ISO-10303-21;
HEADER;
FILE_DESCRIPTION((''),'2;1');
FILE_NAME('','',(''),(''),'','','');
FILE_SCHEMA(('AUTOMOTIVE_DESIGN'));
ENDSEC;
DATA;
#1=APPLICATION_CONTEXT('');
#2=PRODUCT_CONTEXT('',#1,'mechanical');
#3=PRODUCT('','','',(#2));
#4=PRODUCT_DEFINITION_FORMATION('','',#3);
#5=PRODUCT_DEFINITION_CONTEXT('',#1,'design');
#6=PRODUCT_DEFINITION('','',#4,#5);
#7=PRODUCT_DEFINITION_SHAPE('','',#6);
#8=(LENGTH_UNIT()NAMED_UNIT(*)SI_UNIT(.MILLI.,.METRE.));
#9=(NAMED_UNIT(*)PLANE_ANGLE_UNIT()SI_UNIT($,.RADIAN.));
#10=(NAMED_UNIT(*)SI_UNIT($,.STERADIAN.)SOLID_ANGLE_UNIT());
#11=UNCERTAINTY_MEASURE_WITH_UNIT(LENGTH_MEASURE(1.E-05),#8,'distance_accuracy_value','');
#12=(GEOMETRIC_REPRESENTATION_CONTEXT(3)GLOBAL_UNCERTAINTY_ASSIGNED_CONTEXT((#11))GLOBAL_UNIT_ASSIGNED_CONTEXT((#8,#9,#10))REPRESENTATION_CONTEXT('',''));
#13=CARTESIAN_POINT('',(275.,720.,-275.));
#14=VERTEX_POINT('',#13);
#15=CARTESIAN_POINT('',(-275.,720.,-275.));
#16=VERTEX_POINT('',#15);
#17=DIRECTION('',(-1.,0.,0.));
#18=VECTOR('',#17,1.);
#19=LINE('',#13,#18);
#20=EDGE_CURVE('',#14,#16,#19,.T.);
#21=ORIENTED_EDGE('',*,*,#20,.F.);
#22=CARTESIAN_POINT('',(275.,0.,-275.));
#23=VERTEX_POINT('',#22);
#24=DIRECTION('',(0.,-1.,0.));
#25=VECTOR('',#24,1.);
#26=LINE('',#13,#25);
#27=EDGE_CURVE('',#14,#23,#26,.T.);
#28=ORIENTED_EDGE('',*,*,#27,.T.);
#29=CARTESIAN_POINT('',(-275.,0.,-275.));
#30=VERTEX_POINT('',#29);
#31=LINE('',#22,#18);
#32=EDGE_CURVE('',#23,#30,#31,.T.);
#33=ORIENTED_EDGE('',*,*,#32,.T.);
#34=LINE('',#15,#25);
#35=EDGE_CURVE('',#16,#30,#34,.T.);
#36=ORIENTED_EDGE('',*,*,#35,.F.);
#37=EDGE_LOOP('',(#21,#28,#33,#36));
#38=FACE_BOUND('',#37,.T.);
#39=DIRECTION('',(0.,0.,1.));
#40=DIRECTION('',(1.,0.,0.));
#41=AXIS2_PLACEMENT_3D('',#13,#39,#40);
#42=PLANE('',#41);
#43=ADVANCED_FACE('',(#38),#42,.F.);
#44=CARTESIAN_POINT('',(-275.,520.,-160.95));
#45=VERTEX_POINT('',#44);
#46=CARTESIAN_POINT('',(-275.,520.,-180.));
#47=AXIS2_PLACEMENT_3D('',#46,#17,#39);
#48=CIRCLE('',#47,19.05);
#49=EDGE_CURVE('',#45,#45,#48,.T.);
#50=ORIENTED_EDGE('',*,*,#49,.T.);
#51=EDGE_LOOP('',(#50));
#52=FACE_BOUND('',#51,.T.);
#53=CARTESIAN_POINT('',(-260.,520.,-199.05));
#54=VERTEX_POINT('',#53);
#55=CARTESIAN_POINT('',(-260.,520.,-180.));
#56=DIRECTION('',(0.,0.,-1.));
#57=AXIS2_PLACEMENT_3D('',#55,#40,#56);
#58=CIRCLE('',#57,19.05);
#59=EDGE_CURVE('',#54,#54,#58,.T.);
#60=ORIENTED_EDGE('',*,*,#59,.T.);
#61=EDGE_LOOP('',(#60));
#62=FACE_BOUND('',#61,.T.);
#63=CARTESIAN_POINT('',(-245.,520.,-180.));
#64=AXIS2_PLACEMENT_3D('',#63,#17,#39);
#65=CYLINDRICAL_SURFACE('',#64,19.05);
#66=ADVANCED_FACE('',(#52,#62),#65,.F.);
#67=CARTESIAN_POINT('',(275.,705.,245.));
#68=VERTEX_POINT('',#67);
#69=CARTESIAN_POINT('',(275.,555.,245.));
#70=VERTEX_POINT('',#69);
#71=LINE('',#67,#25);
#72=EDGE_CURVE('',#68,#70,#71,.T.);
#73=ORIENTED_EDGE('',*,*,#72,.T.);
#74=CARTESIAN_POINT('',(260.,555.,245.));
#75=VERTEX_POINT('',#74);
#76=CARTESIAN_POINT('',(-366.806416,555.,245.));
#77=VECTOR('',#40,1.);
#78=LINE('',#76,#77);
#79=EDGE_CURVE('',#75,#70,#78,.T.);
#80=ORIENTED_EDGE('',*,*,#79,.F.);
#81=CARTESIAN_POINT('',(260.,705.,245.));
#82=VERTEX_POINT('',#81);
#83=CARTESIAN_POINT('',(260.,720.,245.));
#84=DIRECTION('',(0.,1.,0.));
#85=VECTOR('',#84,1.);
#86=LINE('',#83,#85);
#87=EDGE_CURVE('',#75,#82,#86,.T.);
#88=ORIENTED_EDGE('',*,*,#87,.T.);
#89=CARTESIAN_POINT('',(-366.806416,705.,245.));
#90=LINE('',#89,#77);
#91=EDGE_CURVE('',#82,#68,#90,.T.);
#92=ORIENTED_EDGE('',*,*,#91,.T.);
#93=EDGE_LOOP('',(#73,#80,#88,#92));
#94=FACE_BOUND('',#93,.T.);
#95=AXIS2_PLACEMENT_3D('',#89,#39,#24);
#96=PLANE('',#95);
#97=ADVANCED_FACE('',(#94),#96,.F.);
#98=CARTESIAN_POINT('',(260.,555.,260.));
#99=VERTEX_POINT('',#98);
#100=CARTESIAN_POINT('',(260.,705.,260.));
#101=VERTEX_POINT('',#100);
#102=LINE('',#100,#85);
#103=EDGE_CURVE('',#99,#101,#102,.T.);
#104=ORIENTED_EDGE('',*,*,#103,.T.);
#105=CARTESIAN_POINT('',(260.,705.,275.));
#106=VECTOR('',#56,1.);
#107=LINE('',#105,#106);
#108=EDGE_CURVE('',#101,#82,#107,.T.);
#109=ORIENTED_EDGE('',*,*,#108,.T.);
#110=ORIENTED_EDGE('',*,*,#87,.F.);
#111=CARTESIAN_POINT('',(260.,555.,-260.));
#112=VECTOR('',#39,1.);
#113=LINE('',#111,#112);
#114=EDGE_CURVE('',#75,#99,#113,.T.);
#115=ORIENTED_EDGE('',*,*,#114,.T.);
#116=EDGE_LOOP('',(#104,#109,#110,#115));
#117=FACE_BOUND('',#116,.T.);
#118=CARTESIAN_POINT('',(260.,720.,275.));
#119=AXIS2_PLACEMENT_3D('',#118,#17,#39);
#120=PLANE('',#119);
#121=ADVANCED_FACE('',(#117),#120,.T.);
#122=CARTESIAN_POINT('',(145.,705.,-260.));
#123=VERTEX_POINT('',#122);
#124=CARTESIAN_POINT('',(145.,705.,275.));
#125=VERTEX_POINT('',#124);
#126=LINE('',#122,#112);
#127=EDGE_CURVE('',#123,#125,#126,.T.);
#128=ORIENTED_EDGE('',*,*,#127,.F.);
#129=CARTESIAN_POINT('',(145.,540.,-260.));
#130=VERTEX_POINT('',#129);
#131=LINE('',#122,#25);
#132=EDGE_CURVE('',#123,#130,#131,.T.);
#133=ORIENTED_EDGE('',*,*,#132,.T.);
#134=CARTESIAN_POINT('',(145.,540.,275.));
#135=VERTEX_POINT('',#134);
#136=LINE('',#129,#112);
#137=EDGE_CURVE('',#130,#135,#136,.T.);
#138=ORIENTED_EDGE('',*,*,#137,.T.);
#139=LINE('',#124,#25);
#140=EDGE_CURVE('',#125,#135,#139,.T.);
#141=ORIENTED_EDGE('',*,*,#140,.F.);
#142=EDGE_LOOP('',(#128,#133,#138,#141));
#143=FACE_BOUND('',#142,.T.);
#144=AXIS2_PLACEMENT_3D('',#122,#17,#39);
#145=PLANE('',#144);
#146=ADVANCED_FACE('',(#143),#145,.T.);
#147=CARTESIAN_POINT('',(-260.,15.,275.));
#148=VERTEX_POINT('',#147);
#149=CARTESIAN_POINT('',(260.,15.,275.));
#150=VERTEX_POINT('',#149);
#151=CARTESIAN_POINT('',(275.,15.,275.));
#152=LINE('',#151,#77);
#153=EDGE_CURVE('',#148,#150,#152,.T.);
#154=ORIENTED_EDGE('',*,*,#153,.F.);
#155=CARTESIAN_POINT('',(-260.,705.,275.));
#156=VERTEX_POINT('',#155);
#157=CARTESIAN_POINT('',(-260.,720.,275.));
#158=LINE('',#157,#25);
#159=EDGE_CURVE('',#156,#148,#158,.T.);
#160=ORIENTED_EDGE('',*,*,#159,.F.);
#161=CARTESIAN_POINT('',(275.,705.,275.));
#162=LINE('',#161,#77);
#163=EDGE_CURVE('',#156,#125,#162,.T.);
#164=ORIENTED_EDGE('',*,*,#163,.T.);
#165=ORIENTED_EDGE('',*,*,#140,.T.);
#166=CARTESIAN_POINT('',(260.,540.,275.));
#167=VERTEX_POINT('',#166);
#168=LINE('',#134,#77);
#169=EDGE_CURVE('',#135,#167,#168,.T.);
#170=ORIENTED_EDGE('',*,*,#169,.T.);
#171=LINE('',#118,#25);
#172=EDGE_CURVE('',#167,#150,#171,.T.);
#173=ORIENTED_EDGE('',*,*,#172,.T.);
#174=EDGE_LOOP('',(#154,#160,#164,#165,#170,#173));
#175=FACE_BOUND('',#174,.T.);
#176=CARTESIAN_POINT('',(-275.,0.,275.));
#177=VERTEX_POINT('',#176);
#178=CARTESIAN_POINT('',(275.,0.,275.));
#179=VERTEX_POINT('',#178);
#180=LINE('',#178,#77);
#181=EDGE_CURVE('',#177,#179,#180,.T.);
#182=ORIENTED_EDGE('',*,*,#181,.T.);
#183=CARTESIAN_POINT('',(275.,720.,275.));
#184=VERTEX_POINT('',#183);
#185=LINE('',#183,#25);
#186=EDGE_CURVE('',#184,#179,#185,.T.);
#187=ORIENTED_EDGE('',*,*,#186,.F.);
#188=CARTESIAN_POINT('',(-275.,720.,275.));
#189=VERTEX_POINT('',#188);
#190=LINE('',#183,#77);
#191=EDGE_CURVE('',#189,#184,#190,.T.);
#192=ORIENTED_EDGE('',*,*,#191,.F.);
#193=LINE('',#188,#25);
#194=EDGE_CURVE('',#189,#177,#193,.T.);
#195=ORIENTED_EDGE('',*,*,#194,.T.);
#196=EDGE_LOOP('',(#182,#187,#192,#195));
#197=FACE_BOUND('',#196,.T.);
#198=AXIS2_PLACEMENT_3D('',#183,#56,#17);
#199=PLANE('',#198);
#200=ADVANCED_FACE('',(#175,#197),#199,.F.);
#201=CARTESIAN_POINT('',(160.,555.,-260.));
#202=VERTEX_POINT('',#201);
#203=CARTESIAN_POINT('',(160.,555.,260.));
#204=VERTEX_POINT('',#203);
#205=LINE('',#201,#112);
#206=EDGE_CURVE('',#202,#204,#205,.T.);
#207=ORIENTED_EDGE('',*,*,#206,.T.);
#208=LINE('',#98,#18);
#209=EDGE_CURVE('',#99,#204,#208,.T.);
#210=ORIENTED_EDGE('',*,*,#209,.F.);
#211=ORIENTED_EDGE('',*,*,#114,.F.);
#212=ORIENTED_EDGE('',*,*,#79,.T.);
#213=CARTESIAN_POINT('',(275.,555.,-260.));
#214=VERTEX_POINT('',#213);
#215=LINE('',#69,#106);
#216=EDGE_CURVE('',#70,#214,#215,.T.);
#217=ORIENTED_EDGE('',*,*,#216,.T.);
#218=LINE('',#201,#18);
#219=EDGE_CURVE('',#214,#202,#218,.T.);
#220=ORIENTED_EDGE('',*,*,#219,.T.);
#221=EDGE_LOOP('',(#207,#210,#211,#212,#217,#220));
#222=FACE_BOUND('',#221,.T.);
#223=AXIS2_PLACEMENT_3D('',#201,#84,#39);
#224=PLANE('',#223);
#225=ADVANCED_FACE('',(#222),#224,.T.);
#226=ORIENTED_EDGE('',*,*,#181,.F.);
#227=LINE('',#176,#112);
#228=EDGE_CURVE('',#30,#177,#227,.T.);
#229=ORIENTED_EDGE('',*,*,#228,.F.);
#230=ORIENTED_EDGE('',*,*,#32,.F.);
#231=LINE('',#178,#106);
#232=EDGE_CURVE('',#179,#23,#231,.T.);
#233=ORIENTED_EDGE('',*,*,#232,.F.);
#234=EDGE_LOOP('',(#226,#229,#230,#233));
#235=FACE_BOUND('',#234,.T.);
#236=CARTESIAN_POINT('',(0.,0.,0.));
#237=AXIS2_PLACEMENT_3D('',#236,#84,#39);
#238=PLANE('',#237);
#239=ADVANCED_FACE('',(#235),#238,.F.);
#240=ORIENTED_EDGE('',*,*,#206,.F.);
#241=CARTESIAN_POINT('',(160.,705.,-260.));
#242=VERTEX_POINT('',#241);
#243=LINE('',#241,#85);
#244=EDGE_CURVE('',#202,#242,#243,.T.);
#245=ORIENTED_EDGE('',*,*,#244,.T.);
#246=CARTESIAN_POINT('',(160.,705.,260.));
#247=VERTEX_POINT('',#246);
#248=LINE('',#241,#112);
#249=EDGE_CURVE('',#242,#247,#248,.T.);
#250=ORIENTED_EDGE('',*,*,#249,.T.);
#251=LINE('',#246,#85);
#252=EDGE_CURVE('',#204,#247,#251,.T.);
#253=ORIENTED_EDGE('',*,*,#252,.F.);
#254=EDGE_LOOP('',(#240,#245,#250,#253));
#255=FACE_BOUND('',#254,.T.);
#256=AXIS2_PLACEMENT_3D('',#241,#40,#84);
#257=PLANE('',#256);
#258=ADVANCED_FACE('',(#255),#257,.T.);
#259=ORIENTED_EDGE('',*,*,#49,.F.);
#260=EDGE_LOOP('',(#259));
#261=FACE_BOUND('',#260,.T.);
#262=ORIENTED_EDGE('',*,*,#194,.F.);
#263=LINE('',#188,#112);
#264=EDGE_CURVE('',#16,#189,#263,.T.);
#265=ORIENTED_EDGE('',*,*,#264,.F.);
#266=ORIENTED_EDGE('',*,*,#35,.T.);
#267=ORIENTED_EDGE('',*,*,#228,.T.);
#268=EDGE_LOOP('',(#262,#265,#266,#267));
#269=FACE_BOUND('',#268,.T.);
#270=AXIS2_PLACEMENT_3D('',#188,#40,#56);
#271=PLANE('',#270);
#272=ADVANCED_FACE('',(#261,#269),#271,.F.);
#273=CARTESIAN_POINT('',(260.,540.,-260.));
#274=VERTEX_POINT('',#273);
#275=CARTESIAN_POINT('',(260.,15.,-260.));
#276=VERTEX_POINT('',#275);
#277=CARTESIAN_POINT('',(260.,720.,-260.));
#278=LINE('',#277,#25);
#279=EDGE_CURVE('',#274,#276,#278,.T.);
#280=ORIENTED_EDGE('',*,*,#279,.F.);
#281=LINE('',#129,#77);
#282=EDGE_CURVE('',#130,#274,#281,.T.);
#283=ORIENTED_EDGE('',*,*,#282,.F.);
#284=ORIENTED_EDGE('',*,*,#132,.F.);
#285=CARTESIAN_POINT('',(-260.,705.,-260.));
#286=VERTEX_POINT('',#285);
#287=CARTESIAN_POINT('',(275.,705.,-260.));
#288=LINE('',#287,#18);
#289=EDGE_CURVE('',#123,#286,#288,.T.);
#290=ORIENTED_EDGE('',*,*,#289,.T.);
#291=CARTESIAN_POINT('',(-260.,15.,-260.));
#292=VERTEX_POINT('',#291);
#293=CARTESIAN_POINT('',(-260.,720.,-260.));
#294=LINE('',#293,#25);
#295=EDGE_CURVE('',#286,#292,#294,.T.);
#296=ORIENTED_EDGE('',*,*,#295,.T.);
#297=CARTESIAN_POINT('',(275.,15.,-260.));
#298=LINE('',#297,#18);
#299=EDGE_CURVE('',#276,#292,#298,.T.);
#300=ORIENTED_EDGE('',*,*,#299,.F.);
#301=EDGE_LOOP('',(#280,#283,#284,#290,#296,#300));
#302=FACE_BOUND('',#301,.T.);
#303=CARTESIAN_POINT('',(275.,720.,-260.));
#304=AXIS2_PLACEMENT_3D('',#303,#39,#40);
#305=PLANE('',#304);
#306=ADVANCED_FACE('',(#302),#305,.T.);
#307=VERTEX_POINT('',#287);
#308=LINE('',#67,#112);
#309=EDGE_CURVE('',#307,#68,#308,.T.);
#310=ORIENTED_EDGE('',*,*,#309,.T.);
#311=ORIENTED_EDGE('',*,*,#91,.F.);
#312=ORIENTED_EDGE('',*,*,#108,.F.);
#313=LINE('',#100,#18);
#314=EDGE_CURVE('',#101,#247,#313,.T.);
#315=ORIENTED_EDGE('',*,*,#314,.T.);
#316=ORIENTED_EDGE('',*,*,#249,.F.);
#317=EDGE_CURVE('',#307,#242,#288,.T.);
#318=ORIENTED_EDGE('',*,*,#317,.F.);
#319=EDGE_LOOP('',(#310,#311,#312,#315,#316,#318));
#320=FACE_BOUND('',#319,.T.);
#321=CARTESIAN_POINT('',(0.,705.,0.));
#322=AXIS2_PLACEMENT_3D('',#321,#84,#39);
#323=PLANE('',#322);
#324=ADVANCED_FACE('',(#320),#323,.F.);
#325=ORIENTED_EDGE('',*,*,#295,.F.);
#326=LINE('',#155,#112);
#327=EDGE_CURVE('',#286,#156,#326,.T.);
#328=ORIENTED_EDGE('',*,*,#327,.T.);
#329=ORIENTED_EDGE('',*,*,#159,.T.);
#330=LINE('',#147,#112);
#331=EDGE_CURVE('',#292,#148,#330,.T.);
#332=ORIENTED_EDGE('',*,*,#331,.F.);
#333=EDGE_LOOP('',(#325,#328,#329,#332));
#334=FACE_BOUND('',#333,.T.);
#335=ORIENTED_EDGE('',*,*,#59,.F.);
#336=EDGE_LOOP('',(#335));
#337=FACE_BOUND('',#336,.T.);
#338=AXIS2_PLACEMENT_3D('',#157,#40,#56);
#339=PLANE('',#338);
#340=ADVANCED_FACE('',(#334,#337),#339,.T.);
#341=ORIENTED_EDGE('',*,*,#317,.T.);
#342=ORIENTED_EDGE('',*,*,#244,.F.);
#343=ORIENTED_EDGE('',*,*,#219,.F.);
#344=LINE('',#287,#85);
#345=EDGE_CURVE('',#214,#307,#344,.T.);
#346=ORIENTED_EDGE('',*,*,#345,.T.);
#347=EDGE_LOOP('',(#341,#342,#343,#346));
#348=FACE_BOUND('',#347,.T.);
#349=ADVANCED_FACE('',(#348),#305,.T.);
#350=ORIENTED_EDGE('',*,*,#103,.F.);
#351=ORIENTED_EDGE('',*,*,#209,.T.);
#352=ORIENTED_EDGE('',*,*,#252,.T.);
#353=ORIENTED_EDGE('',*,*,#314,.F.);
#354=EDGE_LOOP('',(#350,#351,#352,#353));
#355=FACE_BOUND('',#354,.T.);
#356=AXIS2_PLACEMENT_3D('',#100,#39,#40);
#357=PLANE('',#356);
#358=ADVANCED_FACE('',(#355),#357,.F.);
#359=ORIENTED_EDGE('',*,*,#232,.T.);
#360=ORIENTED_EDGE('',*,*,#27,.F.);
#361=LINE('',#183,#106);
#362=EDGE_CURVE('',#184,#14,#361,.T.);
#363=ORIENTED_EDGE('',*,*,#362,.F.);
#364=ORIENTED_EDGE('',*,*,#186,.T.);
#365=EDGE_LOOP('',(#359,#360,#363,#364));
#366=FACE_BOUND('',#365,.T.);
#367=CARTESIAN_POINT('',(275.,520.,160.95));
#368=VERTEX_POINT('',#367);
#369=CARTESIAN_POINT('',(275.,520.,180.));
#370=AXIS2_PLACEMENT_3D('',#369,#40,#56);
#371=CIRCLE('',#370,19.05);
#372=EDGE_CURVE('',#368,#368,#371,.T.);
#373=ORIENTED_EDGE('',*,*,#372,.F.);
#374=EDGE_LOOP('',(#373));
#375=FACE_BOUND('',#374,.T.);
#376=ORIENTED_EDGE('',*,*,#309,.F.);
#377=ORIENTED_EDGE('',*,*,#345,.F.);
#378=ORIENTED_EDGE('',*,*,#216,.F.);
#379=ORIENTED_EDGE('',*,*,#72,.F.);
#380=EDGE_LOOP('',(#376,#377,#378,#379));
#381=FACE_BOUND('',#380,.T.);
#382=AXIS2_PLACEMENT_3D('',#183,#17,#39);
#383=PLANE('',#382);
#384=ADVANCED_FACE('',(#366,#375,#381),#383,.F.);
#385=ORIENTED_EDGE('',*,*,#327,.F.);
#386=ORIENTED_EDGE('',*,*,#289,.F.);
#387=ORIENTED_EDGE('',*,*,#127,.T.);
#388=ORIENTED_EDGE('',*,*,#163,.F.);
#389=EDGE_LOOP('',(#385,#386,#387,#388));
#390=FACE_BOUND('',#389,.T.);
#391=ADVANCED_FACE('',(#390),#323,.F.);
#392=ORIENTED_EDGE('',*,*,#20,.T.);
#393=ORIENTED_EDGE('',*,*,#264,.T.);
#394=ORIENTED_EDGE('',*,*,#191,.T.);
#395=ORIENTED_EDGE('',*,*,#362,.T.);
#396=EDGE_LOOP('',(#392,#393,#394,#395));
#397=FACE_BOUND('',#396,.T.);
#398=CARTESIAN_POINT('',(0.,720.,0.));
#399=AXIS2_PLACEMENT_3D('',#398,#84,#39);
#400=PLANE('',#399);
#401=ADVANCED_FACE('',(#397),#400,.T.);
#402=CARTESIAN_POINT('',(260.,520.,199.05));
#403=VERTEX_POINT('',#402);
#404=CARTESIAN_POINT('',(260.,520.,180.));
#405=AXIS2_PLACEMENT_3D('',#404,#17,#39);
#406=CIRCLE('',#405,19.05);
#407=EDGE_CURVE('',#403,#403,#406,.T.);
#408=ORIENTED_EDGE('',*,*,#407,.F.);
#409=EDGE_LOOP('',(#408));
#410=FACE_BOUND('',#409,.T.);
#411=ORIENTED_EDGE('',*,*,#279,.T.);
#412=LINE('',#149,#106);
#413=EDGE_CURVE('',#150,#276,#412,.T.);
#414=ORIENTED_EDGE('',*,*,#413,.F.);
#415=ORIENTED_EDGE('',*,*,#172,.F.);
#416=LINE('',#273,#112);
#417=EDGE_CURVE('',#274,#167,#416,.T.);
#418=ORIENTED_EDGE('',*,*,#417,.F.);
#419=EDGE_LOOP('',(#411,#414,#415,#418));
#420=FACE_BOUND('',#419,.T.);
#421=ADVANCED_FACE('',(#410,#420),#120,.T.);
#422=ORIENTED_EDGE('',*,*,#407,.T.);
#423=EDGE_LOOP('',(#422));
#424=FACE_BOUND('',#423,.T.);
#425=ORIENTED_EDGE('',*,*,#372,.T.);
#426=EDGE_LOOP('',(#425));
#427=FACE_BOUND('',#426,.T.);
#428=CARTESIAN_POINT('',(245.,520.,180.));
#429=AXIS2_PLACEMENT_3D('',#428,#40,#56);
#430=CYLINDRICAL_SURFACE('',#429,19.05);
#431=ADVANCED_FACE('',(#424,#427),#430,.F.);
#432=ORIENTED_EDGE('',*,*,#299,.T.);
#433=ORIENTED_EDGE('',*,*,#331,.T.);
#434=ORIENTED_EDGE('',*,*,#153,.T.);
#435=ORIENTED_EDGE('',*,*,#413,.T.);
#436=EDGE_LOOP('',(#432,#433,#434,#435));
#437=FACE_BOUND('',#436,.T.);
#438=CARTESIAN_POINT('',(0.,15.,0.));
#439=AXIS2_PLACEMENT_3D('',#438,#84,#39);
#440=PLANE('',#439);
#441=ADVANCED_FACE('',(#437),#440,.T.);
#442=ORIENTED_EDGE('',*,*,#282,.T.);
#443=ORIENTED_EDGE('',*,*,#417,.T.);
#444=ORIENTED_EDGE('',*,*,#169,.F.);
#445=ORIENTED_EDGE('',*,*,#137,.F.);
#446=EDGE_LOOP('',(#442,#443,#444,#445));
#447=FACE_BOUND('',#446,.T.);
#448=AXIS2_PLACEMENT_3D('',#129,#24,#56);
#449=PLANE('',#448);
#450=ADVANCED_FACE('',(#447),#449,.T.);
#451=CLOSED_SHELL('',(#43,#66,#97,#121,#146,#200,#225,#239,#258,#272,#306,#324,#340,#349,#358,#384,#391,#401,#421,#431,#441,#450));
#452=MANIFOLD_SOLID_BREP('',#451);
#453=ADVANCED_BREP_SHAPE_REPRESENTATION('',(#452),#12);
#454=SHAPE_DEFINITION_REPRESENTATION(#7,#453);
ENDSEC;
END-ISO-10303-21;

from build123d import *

# Parameters (mm, degrees)
CROQUIS1_W              = 550
CROQUIS1_H              = 550
SALIENTE_EXTRUIR1_DEPTH = 720
VACIADO1_T              = -15
SALIENTE_EXTRUIR2_DEPTH = 535
CROQUIS3_W              = 505
CROQUIS3_H              = 150
CORTAR_EXTRUIR1_DEPTH   = 115
CROQUIS4_W              = 15
CROQUIS4_H              = 150
SALIENTE_EXTRUIR3_DEPTH = 100
CROQUIS5_R              = 19.05
CORTAR_EXTRUIR2_DEPTH   = 30
CROQUIS6_R              = 19.05
CORTAR_EXTRUIR3_DEPTH   = 30


with BuildPart() as part:
    # Croquis1 → Saliente-Extruir1 (new body)
    with BuildSketch(Plane(origin=(0, 0, 0), x_dir=(1, 0, 0), z_dir=(0, 1, 0))):
        Rectangle(CROQUIS1_W, CROQUIS1_H)
    extrude(amount=SALIENTE_EXTRUIR1_DEPTH)

    # Vaciado1
    vaciado1_openings = [part.faces().sort_by_distance(p)[0] for p in [
        (0, 360, 275),
    ]]
    offset(amount=VACIADO1_T, openings=vaciado1_openings, kind=Kind.INTERSECTION)

    # Croquis2 → Saliente-Extruir2 (add)
    with BuildSketch(Plane.XY.offset(275)):
        Polygon((160, 705), (160, 555), (260, 555), (260, 540), (145, 540), (145, 705), align=None)
    extrude(amount=-SALIENTE_EXTRUIR2_DEPTH)

    # Croquis3 → Cortar-Extruir1 (cut)
    with BuildSketch(Plane(origin=(275, 0, 0), x_dir=(0, 0, -1), z_dir=(1, 0, 0))):
        with Locations((7.5, 630)):
            Rectangle(CROQUIS3_W, CROQUIS3_H)
    extrude(amount=-CORTAR_EXTRUIR1_DEPTH, mode=Mode.SUBTRACT)

    # Croquis4 → Saliente-Extruir3 (add)
    with BuildSketch(Plane(origin=(160, 0, 0), x_dir=(0, 0, -1), z_dir=(1, 0, 0))):
        with Locations((-267.5, 630)):
            Rectangle(CROQUIS4_W, CROQUIS4_H)
    extrude(amount=SALIENTE_EXTRUIR3_DEPTH)

    # Croquis5 → Cortar-Extruir2 (cut)
    with BuildSketch(Plane.ZY.offset(275)):
        with Locations((-180, 520)):
            Circle(CROQUIS5_R)
    extrude(amount=-CORTAR_EXTRUIR2_DEPTH, mode=Mode.SUBTRACT)

    # Croquis6 → Cortar-Extruir3 (cut)
    with BuildSketch(Plane(origin=(275, 0, 0), x_dir=(0, 0, -1), z_dir=(1, 0, 0))):
        with Locations((-180, 520)):
            Circle(CROQUIS6_R)
    extrude(amount=-CORTAR_EXTRUIR3_DEPTH, mode=Mode.SUBTRACT)


solid = part.part
